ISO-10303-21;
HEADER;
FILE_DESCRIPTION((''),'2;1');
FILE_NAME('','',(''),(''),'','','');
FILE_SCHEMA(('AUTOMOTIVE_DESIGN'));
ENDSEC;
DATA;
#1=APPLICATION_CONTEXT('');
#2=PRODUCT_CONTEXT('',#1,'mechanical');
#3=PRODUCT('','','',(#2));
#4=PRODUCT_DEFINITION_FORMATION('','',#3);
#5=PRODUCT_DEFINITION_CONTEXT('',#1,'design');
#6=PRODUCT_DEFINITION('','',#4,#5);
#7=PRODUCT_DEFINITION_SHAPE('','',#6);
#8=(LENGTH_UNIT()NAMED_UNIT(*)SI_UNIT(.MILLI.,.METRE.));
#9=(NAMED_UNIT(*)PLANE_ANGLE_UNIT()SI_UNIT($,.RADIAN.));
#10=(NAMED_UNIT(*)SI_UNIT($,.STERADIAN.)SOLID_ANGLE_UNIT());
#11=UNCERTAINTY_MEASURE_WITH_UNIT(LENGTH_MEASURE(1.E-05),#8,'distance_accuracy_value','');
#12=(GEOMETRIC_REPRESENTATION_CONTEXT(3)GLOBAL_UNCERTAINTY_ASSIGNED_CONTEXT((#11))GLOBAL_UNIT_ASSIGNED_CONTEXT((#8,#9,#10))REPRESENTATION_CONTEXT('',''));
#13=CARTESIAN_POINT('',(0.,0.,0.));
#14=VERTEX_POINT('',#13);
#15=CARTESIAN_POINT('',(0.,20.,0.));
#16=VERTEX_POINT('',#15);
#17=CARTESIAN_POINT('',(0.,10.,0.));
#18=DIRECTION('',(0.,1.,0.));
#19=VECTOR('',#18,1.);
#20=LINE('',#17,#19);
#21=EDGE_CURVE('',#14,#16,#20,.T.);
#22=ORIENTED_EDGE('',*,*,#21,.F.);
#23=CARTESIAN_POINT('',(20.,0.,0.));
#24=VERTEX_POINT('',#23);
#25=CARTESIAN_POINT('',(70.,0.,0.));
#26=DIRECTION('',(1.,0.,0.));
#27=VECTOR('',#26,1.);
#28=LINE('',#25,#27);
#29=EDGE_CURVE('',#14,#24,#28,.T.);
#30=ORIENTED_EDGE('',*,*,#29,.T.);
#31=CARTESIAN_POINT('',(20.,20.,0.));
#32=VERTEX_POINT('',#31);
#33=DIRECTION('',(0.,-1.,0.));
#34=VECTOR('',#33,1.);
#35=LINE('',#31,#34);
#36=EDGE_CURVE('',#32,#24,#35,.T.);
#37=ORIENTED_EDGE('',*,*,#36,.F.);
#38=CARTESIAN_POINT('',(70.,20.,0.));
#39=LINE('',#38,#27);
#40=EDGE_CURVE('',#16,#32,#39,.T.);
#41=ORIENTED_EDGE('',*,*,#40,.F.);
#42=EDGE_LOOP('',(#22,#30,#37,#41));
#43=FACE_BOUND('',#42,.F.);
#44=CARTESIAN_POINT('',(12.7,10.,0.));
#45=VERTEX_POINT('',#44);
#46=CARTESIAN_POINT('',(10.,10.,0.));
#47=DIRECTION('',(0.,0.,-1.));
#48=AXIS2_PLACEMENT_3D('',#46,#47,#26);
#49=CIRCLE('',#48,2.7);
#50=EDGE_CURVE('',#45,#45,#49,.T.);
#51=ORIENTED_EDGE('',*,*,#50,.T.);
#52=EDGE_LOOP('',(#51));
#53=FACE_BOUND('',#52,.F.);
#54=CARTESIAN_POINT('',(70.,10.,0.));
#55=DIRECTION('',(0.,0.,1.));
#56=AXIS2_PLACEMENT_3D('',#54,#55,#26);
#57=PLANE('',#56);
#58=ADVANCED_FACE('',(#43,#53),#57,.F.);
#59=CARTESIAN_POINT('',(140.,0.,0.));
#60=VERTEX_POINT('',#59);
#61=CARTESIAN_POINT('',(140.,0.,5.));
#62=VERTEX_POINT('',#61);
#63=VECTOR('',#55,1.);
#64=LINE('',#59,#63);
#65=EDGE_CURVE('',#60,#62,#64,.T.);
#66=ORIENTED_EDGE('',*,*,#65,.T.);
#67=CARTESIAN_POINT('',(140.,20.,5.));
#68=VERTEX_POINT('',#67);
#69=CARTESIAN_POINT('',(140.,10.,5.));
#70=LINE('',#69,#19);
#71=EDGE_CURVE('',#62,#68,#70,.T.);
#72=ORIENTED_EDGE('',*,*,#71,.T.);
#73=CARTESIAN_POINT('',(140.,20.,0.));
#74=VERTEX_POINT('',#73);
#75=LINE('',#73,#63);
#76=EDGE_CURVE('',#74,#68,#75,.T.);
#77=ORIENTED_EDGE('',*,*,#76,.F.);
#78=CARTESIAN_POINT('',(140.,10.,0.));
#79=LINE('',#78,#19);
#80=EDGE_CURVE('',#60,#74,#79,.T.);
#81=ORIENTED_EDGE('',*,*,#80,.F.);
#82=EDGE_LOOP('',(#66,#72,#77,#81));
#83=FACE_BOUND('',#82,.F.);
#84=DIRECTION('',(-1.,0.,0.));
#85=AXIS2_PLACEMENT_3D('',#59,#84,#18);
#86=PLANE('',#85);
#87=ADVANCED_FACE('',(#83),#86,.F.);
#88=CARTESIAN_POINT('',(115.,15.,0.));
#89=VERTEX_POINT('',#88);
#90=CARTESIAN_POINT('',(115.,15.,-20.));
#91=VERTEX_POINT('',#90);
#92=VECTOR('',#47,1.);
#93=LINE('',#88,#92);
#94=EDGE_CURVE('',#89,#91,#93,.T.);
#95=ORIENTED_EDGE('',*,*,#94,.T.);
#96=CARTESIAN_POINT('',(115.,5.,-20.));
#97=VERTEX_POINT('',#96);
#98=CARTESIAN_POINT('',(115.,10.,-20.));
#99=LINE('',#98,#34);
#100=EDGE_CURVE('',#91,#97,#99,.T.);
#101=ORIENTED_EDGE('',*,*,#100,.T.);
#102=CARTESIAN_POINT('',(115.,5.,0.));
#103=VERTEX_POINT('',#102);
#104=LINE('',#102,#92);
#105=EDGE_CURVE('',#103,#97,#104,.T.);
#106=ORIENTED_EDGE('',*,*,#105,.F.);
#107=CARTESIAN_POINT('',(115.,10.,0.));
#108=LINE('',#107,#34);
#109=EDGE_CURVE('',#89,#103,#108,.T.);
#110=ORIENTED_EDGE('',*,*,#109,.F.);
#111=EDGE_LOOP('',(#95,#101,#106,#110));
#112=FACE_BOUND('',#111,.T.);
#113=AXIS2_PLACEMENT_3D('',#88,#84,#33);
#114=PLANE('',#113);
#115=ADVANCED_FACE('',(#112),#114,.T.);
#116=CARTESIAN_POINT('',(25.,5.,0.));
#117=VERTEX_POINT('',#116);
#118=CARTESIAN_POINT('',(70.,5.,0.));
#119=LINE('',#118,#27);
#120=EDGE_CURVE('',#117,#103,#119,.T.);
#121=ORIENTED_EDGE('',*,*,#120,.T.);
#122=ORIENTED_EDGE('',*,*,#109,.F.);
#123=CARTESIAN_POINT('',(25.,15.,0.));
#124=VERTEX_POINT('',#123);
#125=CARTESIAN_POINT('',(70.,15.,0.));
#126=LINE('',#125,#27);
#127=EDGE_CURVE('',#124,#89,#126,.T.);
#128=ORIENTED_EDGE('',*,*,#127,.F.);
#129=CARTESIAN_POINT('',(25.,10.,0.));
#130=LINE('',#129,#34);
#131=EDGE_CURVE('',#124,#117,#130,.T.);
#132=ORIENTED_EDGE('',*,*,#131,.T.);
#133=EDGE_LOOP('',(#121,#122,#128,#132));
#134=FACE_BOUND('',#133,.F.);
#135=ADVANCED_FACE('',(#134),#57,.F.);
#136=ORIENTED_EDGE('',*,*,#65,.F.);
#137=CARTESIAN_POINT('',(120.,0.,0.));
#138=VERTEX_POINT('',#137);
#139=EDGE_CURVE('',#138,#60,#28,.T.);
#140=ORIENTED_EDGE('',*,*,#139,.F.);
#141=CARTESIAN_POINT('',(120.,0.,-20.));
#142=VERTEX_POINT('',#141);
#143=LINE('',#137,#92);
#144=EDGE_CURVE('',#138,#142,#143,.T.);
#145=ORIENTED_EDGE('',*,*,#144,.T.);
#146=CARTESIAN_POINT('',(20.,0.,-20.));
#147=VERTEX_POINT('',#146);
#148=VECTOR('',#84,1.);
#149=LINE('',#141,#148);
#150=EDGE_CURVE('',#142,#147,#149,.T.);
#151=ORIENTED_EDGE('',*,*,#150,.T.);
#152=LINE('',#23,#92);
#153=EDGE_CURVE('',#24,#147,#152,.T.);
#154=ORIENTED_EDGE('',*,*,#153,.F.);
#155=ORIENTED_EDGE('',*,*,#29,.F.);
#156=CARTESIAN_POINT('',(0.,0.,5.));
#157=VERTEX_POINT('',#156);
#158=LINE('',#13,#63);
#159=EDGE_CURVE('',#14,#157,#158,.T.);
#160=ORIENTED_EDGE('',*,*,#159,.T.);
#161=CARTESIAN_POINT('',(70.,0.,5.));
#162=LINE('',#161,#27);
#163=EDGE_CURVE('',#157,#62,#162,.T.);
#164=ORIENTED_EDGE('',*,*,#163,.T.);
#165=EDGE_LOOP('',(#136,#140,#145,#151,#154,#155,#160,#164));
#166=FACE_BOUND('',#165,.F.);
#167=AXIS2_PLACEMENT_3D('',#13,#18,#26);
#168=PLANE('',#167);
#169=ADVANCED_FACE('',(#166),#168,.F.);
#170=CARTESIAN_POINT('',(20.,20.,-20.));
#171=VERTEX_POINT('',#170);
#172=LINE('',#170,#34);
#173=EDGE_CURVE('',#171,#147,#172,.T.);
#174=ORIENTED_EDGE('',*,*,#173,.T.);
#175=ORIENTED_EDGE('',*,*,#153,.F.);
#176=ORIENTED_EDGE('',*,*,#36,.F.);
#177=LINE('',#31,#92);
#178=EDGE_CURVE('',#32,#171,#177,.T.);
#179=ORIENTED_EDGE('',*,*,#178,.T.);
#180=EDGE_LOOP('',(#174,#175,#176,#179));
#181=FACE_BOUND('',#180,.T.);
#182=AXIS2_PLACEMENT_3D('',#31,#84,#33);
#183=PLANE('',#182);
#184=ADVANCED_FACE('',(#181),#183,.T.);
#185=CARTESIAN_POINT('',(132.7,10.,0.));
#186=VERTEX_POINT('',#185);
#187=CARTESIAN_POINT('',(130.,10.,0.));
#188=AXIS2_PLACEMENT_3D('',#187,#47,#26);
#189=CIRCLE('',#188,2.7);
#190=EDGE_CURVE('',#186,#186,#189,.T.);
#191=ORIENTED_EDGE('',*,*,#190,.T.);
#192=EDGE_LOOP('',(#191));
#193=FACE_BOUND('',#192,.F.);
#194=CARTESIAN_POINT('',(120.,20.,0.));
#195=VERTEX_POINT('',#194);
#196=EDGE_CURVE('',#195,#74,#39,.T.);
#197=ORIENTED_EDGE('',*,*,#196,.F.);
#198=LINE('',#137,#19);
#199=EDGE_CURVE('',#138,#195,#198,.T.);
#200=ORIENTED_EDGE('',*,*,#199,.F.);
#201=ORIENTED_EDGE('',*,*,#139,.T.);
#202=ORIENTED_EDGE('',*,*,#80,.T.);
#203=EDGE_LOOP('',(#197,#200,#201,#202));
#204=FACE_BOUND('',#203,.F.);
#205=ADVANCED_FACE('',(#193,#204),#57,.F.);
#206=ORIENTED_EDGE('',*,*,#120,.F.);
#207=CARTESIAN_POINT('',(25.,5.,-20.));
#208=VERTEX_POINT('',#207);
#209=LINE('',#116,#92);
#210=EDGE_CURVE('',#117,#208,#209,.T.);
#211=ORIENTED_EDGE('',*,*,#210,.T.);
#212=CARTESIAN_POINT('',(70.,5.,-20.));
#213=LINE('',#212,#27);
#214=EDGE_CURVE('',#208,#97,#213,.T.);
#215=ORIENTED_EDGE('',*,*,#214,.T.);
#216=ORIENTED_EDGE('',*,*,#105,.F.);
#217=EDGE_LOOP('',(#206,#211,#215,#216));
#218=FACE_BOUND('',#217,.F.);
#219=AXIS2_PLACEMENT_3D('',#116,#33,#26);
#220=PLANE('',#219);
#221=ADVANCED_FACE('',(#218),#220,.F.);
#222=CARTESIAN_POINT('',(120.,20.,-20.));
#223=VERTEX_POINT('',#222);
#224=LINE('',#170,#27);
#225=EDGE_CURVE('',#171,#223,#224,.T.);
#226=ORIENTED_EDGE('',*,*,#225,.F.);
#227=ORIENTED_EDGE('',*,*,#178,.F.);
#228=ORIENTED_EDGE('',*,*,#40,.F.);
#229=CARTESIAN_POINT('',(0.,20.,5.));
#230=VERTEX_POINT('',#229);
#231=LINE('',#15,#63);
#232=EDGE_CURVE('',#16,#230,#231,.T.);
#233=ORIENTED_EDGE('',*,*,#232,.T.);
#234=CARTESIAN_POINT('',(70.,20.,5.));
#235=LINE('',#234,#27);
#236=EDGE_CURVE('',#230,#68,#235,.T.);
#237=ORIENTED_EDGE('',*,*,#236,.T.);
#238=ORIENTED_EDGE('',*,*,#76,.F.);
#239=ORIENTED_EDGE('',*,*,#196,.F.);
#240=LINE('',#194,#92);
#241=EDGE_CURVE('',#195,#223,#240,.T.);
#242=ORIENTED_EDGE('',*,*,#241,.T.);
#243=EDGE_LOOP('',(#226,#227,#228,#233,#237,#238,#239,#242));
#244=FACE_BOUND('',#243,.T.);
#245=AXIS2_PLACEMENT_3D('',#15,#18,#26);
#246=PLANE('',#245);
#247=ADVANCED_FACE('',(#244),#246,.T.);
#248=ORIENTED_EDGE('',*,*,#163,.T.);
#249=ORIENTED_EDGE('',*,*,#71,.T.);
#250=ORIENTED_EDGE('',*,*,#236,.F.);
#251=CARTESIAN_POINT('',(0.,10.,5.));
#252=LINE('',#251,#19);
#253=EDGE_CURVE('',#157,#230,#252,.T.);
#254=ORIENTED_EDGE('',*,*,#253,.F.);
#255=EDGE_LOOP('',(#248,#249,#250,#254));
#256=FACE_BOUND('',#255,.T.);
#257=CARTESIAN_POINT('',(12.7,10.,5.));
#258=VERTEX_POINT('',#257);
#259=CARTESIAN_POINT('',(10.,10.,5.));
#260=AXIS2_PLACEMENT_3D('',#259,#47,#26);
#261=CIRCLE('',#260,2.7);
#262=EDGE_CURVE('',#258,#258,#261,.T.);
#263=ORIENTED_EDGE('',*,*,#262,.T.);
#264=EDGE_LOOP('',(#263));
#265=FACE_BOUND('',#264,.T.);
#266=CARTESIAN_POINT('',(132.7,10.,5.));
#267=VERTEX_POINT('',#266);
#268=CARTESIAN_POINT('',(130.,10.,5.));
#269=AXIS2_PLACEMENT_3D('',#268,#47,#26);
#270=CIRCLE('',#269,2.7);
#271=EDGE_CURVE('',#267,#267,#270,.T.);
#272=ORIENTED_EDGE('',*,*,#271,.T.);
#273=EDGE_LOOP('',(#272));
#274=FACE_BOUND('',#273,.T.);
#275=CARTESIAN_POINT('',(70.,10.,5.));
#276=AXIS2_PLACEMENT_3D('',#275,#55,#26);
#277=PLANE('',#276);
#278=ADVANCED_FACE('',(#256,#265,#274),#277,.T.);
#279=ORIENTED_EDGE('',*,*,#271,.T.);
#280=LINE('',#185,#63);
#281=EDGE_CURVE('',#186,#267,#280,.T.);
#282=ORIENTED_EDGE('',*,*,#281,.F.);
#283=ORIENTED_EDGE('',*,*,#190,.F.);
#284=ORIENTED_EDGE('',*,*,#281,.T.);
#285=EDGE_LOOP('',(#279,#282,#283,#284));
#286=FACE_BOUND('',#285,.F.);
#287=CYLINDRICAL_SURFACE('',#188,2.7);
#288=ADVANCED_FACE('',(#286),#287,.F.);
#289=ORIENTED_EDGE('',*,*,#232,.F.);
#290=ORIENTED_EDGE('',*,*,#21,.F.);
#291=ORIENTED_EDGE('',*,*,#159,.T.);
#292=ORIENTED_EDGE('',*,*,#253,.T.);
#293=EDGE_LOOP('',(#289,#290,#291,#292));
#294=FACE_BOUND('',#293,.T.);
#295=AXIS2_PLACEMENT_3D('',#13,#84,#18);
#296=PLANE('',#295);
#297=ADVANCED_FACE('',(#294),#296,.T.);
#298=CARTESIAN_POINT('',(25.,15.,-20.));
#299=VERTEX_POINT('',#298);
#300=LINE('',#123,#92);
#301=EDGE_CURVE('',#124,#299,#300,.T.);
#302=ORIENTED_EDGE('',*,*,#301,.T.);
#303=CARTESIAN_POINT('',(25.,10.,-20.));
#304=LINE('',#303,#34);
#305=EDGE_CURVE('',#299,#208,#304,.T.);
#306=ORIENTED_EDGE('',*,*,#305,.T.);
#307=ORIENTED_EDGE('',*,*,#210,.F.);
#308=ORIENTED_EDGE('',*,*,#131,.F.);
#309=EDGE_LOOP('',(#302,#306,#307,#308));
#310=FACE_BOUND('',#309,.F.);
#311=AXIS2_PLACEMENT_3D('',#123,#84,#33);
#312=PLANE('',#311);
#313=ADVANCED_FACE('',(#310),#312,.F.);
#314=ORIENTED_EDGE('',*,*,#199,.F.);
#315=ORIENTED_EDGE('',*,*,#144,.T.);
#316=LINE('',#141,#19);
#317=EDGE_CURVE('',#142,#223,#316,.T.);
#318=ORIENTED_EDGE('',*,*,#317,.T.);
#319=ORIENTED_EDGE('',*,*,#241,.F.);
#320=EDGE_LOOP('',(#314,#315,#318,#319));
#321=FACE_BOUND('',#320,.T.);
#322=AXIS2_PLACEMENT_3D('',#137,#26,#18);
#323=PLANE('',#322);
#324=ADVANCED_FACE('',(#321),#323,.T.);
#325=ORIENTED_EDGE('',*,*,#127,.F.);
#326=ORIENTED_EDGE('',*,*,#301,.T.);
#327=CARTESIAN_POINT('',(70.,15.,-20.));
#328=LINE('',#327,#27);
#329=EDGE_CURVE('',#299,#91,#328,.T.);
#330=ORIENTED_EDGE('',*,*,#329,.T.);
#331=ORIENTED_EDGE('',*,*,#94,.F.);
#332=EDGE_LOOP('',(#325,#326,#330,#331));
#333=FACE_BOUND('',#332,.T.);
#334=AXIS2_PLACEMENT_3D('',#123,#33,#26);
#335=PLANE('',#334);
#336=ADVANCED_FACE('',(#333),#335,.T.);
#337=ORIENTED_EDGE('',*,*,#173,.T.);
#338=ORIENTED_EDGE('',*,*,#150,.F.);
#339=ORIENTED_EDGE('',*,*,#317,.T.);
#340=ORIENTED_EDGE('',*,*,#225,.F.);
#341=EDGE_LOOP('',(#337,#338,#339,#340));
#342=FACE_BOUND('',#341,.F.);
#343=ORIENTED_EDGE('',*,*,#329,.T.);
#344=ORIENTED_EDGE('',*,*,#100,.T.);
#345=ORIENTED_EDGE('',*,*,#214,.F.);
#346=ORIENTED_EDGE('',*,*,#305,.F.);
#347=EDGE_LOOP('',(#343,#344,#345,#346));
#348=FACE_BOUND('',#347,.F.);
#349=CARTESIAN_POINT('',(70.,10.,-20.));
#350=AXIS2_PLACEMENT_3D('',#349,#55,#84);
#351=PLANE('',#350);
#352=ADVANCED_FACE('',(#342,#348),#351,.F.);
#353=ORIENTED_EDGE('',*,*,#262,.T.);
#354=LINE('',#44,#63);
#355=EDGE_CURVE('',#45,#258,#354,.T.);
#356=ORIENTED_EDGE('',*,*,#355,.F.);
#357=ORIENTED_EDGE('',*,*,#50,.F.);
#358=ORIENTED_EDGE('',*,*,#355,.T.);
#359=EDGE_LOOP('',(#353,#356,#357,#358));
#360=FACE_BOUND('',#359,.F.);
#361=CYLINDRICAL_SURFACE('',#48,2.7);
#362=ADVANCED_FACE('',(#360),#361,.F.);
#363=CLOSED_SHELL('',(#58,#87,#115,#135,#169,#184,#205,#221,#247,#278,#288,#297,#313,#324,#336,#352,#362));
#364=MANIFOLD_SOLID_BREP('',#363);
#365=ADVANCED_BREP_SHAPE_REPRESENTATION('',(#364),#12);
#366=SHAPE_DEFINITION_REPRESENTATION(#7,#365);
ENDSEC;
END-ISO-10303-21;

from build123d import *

# Parameters (mm, degrees)
SKETCH026_W     = 140
SKETCH026_H     = 20
PAD024_DEPTH    = 5
SKETCH027_W     = 90
SKETCH027_H     = 10
PAD025_DEPTH    = 20
SKETCH028_R     = 2.7
POCKET002_DEPTH = 5.001


with BuildPart() as part:
    # Sketch026 → Pad024 (new body)
    with BuildSketch(Plane.XY):
        with Locations((70, 10)):
            Rectangle(SKETCH026_W, SKETCH026_H)
    extrude(amount=PAD024_DEPTH)

    # Sketch027 (on Face5 of Pad024) → Pad025 (join)
    with BuildSketch(Plane(origin=(0, 0, 0), x_dir=(1, 0, 0), z_dir=(0, 0, -1))):
        Polygon((20, 0), (25, 0), (115, 0), (120, 0), (120, -20), (115, -20), (25, -20), (20, -20), align=None)
        with Locations((70, -10)):
            Rectangle(SKETCH027_W, SKETCH027_H, mode=Mode.SUBTRACT)
    extrude(amount=PAD025_DEPTH)

    # Sketch028 (on Face4 of Pad025) → Pocket002 (cut, through all)
    with BuildSketch(Plane(origin=(0, 0, 0), x_dir=(1, 0, 0), z_dir=(0, 0, -1))):
        with Locations((10, -10)):
            Circle(SKETCH028_R)
        with Locations((130, -10)):
            Circle(SKETCH028_R)
    extrude(amount=-POCKET002_DEPTH, mode=Mode.SUBTRACT)


solid = part.part
